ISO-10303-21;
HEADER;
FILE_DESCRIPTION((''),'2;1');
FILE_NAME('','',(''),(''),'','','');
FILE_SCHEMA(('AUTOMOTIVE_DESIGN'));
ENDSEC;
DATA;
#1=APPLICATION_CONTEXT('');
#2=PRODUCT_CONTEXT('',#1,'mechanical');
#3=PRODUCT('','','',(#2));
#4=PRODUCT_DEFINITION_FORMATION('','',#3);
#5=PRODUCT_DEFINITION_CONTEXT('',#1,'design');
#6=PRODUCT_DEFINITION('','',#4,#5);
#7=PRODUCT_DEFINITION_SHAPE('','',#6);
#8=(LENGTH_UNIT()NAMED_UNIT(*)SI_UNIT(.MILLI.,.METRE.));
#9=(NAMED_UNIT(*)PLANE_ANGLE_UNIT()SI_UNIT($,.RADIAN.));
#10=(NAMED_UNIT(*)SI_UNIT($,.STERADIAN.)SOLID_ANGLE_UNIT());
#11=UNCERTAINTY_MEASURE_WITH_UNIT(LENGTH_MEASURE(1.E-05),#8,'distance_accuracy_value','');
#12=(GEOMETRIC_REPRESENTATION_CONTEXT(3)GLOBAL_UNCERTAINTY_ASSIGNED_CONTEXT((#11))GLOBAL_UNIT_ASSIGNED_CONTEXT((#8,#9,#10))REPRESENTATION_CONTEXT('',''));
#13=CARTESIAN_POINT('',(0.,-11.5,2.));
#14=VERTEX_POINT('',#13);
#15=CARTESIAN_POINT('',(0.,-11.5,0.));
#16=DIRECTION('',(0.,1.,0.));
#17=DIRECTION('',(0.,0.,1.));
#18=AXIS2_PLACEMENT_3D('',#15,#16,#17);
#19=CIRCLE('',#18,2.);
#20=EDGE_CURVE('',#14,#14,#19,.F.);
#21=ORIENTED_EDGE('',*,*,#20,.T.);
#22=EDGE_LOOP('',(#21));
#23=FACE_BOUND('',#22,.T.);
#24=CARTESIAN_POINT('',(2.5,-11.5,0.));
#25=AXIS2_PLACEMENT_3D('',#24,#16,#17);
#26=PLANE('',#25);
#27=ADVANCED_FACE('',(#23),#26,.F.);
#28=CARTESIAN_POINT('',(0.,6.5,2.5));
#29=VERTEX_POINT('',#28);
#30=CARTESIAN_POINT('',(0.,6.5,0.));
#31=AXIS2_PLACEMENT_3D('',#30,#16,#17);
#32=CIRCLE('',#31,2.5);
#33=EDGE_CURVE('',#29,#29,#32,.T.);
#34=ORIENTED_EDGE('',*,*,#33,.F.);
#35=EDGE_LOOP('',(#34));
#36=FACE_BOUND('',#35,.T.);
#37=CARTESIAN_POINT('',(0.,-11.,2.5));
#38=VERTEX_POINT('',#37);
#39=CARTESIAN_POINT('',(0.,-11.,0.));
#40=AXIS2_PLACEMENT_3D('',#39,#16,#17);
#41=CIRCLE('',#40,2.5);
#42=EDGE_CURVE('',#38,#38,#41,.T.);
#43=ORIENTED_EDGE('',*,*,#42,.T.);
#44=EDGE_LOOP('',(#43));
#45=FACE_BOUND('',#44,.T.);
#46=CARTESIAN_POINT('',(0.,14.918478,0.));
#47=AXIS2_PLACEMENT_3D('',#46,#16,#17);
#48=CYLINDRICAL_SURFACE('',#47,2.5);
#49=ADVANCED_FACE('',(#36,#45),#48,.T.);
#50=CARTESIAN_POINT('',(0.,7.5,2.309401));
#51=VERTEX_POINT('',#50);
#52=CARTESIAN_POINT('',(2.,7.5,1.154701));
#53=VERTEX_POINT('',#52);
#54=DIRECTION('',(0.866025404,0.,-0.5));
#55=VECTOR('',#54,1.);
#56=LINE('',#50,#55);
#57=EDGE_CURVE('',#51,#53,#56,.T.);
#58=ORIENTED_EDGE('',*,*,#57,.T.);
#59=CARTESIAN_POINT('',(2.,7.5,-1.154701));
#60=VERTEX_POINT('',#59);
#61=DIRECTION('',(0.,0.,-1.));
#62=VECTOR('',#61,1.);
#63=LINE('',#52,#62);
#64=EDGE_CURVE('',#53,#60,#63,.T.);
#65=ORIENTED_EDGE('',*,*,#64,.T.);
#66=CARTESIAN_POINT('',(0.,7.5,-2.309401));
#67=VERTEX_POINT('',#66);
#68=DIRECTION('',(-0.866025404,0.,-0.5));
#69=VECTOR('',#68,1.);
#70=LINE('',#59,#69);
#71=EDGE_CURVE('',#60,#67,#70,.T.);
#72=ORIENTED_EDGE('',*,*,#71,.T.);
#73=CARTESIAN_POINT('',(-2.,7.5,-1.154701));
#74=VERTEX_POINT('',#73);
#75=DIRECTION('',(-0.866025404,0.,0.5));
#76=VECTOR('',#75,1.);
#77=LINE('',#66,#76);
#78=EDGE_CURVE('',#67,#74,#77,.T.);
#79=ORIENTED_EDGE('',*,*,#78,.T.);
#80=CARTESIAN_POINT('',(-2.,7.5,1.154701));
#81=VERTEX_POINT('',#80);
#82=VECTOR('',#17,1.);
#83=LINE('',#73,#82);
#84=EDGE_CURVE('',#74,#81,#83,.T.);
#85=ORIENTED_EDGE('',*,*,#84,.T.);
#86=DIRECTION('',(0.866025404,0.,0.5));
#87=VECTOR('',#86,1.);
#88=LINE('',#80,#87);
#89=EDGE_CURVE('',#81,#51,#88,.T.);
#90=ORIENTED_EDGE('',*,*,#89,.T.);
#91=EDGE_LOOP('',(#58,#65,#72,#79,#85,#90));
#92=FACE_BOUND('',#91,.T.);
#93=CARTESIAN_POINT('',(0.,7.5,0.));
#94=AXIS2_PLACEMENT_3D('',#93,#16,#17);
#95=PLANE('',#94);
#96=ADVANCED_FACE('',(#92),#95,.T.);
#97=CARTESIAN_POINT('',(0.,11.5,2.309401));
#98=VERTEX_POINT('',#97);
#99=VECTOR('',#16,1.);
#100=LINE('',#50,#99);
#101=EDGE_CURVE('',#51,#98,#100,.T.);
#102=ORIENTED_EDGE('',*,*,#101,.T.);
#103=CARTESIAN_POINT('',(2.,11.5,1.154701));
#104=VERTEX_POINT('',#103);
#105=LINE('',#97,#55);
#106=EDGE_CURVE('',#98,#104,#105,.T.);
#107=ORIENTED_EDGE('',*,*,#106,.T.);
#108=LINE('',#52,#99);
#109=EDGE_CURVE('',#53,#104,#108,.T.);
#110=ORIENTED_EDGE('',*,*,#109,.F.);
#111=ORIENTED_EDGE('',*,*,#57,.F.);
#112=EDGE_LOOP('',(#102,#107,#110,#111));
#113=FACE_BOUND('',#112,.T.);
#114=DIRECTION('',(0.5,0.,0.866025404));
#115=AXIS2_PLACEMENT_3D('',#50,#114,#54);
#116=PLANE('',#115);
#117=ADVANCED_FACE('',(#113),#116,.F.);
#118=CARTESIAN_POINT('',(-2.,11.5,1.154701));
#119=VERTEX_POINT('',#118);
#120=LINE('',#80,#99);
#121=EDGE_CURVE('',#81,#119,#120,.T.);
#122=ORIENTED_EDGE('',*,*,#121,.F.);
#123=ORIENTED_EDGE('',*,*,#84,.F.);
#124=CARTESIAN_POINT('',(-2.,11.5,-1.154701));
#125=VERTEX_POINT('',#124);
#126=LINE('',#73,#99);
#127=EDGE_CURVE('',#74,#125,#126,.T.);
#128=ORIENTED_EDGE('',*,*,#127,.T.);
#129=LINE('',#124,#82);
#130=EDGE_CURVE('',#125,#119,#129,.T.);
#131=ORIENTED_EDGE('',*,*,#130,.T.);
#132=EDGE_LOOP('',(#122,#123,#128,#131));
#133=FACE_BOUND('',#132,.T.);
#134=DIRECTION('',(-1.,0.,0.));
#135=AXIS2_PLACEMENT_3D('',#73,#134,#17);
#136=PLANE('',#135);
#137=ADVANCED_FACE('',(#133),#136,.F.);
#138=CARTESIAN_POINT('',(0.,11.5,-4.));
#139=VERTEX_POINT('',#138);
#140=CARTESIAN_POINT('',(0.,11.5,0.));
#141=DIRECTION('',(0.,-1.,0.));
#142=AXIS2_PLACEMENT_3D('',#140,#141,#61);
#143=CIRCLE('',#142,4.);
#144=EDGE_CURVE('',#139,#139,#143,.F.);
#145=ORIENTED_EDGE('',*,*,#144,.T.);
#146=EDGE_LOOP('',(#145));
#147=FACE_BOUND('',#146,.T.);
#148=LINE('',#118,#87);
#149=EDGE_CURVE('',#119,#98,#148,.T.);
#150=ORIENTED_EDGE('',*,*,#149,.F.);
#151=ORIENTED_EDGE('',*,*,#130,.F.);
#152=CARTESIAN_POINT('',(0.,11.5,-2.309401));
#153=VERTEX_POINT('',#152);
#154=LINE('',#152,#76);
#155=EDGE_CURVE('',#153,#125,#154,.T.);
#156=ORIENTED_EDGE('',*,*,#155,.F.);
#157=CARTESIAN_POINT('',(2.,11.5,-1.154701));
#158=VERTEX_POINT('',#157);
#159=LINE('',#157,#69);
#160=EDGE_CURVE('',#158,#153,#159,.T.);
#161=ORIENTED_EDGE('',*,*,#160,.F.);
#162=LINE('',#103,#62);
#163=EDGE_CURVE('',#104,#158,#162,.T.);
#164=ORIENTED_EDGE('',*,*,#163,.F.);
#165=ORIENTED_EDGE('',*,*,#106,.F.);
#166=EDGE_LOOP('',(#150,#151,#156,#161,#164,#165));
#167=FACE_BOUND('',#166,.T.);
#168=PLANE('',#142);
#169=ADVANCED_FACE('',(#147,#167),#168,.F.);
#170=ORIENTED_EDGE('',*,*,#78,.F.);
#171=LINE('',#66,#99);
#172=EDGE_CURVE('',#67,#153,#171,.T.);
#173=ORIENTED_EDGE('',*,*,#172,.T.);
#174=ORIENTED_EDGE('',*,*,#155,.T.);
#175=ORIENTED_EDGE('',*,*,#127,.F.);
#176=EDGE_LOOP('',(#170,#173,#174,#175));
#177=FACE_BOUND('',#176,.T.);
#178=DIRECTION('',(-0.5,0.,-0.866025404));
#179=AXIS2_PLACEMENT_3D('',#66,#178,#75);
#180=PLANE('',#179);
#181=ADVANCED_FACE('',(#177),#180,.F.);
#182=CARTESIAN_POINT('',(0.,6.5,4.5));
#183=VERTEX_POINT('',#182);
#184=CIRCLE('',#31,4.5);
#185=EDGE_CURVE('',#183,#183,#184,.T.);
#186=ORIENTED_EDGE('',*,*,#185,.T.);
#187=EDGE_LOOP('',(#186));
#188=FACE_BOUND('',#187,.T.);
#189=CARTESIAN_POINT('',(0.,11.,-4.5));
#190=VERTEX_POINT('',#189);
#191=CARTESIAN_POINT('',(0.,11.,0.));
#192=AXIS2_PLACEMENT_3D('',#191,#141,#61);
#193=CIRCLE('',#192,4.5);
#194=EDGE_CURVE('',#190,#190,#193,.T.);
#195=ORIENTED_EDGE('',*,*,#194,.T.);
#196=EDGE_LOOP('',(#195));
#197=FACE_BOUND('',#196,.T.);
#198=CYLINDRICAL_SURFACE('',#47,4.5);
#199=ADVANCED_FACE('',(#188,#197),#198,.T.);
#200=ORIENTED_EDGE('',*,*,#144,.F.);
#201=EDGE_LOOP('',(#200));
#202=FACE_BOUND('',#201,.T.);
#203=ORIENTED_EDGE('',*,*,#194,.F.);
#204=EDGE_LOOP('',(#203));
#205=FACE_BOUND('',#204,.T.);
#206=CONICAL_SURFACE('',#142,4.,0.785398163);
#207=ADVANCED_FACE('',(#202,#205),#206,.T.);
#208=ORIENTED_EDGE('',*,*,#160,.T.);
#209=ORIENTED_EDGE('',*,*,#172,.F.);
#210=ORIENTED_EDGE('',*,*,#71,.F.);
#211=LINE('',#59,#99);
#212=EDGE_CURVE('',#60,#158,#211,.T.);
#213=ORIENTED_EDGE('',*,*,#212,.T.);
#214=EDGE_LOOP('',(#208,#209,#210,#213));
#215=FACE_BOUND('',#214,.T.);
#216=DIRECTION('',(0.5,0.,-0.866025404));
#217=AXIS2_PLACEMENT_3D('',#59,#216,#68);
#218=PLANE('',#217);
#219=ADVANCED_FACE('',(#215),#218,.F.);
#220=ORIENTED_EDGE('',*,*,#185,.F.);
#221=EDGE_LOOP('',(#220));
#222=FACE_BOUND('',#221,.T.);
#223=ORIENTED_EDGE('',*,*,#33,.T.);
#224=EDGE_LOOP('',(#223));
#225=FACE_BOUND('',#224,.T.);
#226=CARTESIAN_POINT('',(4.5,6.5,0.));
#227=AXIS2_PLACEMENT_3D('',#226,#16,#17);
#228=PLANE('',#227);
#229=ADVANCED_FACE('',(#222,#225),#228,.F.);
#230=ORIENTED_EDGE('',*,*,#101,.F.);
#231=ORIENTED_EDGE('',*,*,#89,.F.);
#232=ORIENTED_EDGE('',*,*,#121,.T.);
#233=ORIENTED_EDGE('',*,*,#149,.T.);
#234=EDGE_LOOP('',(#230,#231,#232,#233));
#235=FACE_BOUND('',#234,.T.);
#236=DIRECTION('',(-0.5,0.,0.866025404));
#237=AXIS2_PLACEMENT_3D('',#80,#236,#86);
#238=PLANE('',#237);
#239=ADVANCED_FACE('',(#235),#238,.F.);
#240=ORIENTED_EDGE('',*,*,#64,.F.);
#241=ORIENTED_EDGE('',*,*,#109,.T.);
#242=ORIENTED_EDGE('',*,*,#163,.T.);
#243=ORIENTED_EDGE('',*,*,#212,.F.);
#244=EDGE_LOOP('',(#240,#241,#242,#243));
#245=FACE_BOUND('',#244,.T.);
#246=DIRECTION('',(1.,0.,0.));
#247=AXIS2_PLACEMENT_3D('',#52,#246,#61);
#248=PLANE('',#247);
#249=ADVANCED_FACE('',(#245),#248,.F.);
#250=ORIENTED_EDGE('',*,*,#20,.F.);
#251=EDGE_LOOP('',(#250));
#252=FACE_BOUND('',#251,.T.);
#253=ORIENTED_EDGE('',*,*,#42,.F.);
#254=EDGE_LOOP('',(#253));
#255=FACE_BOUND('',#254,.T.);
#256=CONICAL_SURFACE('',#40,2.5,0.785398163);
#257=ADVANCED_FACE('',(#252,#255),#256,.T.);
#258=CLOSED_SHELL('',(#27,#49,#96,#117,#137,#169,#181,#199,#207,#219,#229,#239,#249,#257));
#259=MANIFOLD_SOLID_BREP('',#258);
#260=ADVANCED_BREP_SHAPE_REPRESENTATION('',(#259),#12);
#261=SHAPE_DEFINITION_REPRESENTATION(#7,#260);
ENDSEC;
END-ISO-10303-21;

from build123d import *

# Parameters (mm, degrees)
CUT_EXTRUDE1_DEPTH = 4
CHAMFER1_SIZE      = 0.5
CHAMFER2_SIZE      = 0.5


with BuildPart() as part:
    # Sketch1 → Revolve1 (revolve)
    with BuildSketch(Plane.XY, mode=Mode.PRIVATE) as revolve1_sk:
        Polygon((0, 11.5), (4.5, 11.5), (4.5, 6.5), (2.5, 6.5), (2.5, -11.5), (0, -11.5), align=None)
    revolve(revolve1_sk.sketch.rotate(Axis((0, 14.918478261, 0), (0, -1, 0)), 90), axis=Axis((0, 14.918478261, 0), (0, -1, 0)))

    # Sketch2 → Cut-Extrude1 (cut)
    with BuildSketch(Plane(origin=(0, 11.5, 0), x_dir=(1, 0, 0), z_dir=(0, 1, 0))):
        Polygon((0, 2.309401077), (-2, 1.154700538), (-2, -1.154700538), (0, -2.309401077), (2, -1.154700538), (2, 1.154700538), align=None)
    extrude(amount=-CUT_EXTRUDE1_DEPTH, mode=Mode.SUBTRACT)

    # Chamfer1
    chamfer1_edges = [part.edges().sort_by_distance(p)[0] for p in [
        (0, 11.5, -4.5),
    ]]
    chamfer(chamfer1_edges, length=CHAMFER1_SIZE)

    # Chamfer2
    chamfer2_edges = [part.edges().sort_by_distance(p)[0] for p in [
        (0, -11.5, -2.5),
    ]]
    chamfer(chamfer2_edges, length=CHAMFER2_SIZE)


solid = part.part
